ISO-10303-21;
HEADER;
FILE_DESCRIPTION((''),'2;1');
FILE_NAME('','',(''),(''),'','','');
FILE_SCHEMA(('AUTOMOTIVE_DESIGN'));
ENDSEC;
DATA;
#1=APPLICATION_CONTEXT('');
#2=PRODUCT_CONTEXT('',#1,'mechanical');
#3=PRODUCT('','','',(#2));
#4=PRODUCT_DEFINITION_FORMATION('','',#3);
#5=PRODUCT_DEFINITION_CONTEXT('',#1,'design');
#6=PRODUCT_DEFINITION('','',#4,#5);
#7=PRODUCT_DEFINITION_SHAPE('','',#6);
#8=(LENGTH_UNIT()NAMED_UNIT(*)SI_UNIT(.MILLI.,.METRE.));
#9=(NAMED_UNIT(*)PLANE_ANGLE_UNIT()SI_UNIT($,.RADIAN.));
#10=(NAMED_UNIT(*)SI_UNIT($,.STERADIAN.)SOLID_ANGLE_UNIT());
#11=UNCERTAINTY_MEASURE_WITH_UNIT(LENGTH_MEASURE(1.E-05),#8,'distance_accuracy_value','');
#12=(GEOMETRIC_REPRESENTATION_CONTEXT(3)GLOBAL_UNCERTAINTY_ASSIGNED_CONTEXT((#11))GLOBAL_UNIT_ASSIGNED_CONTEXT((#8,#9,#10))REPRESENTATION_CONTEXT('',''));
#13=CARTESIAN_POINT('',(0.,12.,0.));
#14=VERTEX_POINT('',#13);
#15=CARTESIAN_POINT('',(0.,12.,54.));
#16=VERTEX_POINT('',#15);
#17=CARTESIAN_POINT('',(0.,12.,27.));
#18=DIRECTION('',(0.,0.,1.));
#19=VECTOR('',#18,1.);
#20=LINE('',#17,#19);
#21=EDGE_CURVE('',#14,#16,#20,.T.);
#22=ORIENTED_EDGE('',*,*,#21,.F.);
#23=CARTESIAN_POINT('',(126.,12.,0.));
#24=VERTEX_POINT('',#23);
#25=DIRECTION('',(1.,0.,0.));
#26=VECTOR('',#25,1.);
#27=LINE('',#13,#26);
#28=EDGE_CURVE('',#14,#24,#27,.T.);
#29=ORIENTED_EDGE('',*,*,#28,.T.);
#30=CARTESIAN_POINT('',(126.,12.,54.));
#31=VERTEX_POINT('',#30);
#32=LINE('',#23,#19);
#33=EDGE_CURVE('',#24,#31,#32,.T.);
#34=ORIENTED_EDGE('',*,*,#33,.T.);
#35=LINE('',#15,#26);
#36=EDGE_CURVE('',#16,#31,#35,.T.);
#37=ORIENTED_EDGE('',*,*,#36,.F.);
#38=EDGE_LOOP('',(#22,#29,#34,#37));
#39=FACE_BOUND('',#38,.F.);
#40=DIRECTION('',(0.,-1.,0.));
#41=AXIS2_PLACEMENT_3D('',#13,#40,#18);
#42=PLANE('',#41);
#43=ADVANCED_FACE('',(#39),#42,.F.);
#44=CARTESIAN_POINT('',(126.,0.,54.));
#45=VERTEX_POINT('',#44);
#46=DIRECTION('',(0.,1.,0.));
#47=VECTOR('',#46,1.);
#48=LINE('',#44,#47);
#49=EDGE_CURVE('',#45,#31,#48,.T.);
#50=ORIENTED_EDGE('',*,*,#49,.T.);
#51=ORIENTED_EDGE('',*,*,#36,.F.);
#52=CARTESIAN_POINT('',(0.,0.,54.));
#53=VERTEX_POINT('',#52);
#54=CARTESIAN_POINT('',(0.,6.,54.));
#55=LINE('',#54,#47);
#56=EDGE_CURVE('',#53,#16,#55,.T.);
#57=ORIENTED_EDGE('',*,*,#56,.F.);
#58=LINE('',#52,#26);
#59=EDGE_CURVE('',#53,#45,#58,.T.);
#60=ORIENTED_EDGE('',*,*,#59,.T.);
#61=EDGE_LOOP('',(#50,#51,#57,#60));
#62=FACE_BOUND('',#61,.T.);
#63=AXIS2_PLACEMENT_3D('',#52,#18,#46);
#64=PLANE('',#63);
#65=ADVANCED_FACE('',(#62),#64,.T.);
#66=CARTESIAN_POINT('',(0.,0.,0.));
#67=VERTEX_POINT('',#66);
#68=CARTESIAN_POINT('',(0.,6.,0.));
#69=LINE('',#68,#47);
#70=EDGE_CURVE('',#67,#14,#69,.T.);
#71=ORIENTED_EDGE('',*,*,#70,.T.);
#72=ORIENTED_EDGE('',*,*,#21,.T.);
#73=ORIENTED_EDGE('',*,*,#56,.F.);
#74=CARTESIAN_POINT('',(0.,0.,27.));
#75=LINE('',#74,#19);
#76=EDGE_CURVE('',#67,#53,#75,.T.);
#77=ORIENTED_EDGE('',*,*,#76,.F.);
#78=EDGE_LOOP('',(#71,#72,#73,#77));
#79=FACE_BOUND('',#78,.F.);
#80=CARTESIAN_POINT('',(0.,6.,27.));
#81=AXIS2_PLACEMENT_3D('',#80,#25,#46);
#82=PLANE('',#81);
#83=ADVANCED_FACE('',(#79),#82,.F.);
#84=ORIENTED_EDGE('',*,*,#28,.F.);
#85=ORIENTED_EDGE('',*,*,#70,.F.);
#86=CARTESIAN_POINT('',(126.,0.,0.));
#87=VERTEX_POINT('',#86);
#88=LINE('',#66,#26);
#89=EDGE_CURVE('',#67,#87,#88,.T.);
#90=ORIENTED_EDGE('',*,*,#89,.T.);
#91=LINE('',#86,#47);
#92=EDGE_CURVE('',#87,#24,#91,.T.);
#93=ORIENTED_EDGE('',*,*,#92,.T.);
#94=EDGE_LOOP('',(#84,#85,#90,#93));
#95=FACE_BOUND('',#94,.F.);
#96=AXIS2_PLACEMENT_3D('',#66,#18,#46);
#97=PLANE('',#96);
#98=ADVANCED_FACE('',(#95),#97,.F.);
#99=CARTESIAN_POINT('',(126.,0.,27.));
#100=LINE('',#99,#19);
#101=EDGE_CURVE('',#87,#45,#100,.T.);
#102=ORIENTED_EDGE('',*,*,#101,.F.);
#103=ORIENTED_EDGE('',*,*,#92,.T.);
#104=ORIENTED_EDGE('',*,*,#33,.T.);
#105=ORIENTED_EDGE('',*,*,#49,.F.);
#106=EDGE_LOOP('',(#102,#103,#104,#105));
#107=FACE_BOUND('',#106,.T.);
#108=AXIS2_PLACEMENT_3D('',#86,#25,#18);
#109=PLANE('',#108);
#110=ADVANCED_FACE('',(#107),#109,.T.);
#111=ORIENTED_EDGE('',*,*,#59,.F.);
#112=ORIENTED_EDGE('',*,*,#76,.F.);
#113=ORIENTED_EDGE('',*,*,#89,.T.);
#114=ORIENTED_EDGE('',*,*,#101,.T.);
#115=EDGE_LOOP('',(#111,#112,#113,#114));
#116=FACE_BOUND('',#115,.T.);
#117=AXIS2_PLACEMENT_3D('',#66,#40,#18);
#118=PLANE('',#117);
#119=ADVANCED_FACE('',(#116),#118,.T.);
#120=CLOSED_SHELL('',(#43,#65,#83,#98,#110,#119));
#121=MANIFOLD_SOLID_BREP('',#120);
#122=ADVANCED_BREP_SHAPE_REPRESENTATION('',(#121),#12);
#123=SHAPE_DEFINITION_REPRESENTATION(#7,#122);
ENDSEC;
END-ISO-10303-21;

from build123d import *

# Parameters (mm, degrees)
F0_W     = 12
F0_H     = 54
F1_DEPTH = 150
F2_W     = 24
F2_H     = 54
F3_DEPTH = 25


with BuildPart() as f1:
    # F0 (on Right) → F1 (new body)
    with BuildSketch(Plane.YZ):
        with Locations((6, 27)):
            Rectangle(F0_W, F0_H)
    extrude(amount=F1_DEPTH)

    # F2 (on face) → F3 (cut)
    with BuildSketch(Plane.XZ):
        with Locations((138, 27)):
            Rectangle(F2_W, F2_H)
    extrude(amount=-F3_DEPTH, mode=Mode.SUBTRACT)


solid = f1.part
